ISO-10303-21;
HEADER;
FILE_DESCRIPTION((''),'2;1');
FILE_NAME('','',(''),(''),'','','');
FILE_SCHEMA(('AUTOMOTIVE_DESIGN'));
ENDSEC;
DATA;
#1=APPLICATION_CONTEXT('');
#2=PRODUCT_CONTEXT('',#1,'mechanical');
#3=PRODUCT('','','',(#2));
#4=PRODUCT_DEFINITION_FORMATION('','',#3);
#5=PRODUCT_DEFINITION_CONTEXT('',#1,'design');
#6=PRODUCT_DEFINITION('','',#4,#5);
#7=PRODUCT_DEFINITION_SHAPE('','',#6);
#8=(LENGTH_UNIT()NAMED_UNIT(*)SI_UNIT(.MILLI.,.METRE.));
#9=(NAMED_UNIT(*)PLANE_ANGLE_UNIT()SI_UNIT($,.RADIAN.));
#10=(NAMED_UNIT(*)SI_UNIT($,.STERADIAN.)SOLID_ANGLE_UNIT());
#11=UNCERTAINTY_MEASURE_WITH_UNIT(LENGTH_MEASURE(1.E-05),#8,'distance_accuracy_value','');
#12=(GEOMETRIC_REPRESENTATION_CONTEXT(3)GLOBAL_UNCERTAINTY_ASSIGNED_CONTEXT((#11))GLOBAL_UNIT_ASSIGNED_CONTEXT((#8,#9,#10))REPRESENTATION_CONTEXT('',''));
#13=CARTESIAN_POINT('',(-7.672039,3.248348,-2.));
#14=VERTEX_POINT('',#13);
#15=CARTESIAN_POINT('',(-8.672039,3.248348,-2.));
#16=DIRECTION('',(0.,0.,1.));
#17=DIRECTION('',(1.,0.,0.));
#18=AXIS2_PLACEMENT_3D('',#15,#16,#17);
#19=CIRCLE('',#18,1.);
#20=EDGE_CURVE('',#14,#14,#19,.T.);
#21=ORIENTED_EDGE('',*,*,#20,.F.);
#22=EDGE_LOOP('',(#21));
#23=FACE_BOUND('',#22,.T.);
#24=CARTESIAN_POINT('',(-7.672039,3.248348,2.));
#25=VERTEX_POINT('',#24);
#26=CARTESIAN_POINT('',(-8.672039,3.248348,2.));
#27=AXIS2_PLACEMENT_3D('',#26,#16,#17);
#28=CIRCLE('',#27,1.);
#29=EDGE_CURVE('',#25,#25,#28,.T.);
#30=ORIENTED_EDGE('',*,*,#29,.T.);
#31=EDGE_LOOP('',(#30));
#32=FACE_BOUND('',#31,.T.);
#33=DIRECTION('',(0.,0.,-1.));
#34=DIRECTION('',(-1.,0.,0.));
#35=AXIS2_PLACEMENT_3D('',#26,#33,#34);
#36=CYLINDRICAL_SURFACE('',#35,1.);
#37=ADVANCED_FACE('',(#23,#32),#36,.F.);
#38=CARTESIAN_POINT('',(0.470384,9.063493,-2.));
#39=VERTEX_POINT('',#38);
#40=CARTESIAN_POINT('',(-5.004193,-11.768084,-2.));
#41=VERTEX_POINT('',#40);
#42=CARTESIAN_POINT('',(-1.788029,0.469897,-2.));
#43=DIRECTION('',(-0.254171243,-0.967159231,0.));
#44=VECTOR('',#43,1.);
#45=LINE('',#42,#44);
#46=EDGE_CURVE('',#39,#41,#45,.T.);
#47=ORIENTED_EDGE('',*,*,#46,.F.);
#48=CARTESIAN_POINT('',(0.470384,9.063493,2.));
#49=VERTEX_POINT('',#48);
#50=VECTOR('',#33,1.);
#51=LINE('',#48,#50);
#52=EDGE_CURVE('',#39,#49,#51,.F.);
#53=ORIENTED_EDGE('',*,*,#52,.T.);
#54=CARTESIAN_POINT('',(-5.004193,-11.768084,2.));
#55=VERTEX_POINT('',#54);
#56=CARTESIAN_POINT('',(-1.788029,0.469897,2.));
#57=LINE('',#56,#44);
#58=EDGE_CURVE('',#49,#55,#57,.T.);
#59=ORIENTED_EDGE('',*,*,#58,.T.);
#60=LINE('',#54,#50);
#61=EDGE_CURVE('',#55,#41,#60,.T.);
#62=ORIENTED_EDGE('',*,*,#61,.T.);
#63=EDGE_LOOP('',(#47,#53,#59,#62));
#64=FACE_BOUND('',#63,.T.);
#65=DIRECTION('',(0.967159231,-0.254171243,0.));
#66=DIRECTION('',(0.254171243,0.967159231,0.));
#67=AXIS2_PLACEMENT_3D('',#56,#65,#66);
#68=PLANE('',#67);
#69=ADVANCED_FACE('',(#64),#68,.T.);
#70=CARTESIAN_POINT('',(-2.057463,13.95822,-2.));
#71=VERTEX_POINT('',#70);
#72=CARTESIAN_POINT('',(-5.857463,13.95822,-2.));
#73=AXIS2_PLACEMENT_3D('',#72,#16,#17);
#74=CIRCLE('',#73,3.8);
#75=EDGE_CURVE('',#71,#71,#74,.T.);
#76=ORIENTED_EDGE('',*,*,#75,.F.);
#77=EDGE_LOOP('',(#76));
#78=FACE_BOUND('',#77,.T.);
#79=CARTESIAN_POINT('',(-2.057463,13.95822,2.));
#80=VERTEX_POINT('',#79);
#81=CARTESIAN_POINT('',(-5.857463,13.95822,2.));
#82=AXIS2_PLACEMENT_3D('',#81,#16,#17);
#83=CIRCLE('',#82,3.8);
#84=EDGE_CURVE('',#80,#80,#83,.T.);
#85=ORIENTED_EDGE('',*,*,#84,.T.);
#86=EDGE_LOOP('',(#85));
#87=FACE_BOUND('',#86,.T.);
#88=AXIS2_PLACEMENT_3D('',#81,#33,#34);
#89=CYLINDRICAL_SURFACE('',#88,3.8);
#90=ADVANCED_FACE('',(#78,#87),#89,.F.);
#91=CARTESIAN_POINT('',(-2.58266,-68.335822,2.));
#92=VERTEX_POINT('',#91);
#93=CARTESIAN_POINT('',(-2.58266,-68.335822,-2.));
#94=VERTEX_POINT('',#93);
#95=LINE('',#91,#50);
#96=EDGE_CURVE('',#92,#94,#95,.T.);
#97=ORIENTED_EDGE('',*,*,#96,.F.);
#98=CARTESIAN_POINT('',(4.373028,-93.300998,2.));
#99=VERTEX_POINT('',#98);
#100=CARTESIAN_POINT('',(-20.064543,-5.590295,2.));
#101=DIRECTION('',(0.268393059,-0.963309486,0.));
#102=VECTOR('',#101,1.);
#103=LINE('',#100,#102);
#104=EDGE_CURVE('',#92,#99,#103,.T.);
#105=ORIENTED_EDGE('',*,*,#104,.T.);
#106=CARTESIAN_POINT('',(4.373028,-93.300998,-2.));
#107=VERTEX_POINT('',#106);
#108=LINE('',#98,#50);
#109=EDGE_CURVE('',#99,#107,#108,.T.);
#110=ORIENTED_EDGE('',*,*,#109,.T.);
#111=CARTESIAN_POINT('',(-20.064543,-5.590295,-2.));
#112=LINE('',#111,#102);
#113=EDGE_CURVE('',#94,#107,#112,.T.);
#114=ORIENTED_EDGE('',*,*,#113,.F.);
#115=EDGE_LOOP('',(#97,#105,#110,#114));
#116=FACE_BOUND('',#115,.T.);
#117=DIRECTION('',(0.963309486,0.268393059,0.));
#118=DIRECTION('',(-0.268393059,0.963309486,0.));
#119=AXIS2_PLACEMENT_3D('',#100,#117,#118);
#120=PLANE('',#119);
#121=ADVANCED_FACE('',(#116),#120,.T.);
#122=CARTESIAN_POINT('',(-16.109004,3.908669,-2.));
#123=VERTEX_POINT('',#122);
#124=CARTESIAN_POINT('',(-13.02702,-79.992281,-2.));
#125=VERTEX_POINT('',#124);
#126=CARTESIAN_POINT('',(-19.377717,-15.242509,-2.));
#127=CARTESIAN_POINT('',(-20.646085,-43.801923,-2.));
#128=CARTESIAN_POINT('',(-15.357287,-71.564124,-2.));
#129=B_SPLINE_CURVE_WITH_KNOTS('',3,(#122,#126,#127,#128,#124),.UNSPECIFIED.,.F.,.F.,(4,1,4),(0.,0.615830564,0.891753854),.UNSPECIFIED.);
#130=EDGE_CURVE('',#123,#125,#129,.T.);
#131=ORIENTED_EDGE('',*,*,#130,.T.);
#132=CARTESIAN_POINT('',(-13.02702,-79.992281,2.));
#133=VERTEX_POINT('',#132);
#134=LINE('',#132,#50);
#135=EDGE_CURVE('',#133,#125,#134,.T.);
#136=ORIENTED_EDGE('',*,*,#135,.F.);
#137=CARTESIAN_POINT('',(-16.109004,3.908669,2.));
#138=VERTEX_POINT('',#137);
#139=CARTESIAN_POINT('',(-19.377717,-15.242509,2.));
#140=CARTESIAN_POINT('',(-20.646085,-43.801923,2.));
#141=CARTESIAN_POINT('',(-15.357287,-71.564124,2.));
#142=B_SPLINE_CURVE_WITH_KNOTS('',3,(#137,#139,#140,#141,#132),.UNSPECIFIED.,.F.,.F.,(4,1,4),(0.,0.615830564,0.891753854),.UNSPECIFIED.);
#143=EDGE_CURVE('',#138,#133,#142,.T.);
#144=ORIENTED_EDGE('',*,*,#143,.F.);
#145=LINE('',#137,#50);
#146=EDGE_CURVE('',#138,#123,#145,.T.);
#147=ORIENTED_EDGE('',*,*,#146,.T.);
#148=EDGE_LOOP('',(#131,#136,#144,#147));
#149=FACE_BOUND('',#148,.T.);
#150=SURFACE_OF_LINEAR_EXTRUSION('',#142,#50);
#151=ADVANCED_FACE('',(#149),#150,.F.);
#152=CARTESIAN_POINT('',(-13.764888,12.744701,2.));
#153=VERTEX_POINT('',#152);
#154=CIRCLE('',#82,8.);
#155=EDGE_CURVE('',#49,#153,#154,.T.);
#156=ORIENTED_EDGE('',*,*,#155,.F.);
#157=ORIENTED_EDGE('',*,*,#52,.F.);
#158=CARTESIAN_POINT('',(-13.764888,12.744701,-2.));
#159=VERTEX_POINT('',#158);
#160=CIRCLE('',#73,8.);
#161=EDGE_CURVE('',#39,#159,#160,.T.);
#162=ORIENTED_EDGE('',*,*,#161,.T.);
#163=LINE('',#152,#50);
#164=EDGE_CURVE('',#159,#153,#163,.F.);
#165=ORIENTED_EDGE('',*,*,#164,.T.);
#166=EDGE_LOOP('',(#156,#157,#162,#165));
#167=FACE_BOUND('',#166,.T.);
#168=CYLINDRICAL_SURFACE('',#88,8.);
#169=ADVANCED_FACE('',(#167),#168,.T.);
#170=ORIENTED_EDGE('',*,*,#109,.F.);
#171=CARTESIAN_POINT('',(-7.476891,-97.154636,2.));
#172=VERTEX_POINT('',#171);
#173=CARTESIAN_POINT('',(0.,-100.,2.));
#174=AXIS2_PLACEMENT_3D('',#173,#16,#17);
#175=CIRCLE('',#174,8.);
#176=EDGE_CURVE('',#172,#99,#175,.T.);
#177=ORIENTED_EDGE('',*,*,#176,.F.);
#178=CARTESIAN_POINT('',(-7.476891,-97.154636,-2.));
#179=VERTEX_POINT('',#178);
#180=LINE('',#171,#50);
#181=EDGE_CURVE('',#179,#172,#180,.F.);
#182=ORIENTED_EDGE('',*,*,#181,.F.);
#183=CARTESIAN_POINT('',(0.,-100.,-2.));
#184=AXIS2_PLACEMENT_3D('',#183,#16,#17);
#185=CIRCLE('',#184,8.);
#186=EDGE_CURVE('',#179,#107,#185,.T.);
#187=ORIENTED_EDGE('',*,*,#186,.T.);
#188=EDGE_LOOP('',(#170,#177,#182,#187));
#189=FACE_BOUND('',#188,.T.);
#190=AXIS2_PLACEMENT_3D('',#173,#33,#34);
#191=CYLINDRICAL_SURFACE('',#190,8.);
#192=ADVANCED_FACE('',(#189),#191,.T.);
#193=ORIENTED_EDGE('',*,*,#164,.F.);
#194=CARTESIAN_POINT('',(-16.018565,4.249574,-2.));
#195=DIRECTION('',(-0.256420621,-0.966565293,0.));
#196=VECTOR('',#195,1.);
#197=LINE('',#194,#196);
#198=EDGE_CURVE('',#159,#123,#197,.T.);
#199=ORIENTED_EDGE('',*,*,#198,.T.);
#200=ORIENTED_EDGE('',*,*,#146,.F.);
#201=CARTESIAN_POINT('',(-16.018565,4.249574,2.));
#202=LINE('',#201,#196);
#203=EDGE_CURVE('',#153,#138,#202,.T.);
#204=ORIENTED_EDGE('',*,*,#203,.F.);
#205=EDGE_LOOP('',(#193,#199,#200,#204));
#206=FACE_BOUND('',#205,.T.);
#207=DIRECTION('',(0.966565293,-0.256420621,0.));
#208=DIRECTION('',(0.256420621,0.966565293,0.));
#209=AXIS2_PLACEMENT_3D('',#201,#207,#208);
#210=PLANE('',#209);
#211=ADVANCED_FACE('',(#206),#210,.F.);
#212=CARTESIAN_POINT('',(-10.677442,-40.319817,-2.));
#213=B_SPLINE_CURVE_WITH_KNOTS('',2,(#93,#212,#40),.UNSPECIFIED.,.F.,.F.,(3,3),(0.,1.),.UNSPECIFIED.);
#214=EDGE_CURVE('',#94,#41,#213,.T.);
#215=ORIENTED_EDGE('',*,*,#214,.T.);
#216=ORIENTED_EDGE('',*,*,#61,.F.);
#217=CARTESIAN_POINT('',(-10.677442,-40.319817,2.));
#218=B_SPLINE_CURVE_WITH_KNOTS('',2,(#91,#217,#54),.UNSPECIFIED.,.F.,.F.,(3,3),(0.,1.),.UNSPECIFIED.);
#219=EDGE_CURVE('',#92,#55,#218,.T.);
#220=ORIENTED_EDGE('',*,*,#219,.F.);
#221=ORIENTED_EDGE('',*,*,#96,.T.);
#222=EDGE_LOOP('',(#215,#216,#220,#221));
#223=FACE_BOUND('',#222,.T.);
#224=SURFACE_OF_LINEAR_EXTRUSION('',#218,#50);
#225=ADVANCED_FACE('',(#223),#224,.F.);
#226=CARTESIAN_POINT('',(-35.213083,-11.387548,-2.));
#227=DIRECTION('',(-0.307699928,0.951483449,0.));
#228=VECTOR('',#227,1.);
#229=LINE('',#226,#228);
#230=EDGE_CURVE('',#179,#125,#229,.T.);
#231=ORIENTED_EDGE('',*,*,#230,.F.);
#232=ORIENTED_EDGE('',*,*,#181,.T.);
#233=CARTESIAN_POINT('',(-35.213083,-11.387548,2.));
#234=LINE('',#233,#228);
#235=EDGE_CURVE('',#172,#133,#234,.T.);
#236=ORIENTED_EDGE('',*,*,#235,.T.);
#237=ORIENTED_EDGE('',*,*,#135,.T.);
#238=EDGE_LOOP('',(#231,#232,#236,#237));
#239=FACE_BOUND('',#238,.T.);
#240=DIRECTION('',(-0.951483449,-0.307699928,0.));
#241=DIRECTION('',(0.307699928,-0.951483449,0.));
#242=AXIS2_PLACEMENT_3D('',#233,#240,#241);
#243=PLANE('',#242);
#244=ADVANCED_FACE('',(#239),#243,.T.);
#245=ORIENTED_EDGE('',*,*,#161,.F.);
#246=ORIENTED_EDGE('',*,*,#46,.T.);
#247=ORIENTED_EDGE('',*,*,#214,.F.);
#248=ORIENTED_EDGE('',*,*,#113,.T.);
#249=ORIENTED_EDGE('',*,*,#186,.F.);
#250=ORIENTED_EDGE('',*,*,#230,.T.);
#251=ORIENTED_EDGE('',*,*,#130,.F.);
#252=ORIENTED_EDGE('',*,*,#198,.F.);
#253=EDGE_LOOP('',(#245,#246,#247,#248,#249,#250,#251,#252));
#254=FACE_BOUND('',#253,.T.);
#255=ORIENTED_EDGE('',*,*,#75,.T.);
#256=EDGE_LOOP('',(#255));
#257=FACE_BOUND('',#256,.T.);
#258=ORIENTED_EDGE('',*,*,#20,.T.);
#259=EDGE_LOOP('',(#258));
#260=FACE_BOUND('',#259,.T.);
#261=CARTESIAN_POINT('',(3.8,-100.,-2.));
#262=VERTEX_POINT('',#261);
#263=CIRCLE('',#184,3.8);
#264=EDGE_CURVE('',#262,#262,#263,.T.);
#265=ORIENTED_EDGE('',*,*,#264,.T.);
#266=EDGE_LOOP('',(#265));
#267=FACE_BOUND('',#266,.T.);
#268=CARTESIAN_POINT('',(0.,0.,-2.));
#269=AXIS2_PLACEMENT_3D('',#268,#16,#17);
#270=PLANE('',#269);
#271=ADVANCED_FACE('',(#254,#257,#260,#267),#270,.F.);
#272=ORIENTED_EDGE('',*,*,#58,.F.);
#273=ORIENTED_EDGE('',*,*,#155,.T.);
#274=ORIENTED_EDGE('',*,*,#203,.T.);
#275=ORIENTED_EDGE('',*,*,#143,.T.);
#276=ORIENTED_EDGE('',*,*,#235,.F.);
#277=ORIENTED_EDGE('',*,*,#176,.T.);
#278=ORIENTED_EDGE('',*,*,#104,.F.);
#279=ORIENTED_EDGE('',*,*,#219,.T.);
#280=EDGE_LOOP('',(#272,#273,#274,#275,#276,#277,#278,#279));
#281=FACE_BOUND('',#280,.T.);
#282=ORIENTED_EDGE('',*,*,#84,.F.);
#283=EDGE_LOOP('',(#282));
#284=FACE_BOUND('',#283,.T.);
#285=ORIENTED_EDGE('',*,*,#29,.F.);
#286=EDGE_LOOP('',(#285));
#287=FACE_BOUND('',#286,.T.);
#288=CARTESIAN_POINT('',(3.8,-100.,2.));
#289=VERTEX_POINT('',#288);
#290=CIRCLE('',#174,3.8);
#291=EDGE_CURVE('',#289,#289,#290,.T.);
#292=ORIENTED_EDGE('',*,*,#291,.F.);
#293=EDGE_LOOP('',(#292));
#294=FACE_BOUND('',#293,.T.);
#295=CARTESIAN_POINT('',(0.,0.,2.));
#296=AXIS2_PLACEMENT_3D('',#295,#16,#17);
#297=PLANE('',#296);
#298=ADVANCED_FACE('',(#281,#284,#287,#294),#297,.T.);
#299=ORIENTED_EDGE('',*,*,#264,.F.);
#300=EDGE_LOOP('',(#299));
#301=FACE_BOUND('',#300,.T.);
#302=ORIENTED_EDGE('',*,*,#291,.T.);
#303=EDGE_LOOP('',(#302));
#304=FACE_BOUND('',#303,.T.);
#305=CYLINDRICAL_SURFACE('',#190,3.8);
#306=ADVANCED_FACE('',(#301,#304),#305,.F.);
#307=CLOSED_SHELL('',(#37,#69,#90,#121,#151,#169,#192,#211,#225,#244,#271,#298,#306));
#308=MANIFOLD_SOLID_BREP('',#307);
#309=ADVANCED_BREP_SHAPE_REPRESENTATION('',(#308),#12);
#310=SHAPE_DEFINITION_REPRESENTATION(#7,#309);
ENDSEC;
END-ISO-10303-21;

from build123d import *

# Parameters (mm, degrees)
SKETCH1_R           = 1
SKETCH1_W           = 7.92
SKETCH1_H           = 7.92
SKETCH1_R_2         = 3.8
BOSS_EXTRUDE1_DEPTH = 2
SKETCH2_R           = 8
SKETCH2_W           = 7.92
SKETCH2_H           = 7.92
BOSS_EXTRUDE2_DEPTH = 2


with BuildPart() as part:
    # Sketch1 → Boss-Extrude1 (new body, symmetric)
    with BuildSketch(Plane.XY):
        with BuildLine():
            Line((-5.004193268, -11.768083729), (1.264827755, 12.086469882))
            ThreePointArc((1.264827755, 12.086469882), (-3.646245645, 20.982534185), (-12.767631248, 16.503814873))
            Line((-12.767631248, 16.503814873), (-16.10900409, 3.908669428))
            add(Edge.make_bspline(
                [(-16.10900409, 3.908669428), (-19.377716834, -15.242508961), (-20.646085271, -43.801923377), (-15.357286602, -71.564124193), (-13.027019985, -79.992281382)],
                knots=[0, 0, 0, 0, 0.615830564, 0.891753854, 0.891753854, 0.891753854, 0.891753854], degree=3))
            Line((-13.027019985, -79.992281382), (-5.967709179, -101.821397306))
            ThreePointArc((-5.967709179, -101.821397306), (-2.543292548, -94.302394888), (5.340555406, -96.773622937))
            Line((5.340555406, -96.773622937), (-2.58265982, -68.335822015))
            add(Edge.make_bspline(
                [(-2.58265982, -68.335822015), (-10.677441901, -40.31981723), (-5.004193268, -11.768083729)],
                knots=[0, 0, 0, 1, 1, 1], degree=2))
        make_face()
        with Locations((-8.672039016, 3.248347704)):
            Circle(SKETCH1_R, mode=Mode.SUBTRACT)
        with Locations((-5.857463234, 13.958219751)):
            Rectangle(SKETCH1_W, SKETCH1_H, mode=Mode.SUBTRACT)
        with BuildLine():
            ThreePointArc((6.239474416, -100), (6.010544893, -98.325368373), (5.340555406, -96.773622937))
            ThreePointArc((5.340555406, -96.773622937), (-2.543292548, -94.302394888), (-5.967709179, -101.821397306))
            ThreePointArc((-5.967709179, -101.821397306), (0.92078017, -106.171159119), (6.239474416, -100))
        make_face()
        with Locations((0, -100)):
            Rectangle(SKETCH1_W, SKETCH1_H, mode=Mode.SUBTRACT)
        with Locations((0, -100)):
            Rectangle(SKETCH1_W, SKETCH1_H)
        with Locations((0, -100)):
            Circle(SKETCH1_R_2, mode=Mode.SUBTRACT)
        with Locations((-5.857463234, 13.958219751)):
            Rectangle(SKETCH1_W, SKETCH1_H)
        with Locations((-5.857463234, 13.958219751)):
            Circle(SKETCH1_R_2, mode=Mode.SUBTRACT)
    extrude(amount=BOSS_EXTRUDE1_DEPTH, both=True)

    # Sketch2 → Boss-Extrude2 (add, symmetric)
    with BuildSketch(Plane.XY):
        with Locations((0, -100)):
            Circle(SKETCH2_R)
        with Locations((0, -100)):
            Rectangle(SKETCH2_W, SKETCH2_H, mode=Mode.SUBTRACT)
        with Locations((-5.857463234, 13.958219751)):
            Circle(SKETCH2_R)
        with Locations((-5.857463234, 13.958219751)):
            Rectangle(SKETCH2_W, SKETCH2_H, mode=Mode.SUBTRACT)
    extrude(amount=BOSS_EXTRUDE2_DEPTH, both=True)


solid = part.part
